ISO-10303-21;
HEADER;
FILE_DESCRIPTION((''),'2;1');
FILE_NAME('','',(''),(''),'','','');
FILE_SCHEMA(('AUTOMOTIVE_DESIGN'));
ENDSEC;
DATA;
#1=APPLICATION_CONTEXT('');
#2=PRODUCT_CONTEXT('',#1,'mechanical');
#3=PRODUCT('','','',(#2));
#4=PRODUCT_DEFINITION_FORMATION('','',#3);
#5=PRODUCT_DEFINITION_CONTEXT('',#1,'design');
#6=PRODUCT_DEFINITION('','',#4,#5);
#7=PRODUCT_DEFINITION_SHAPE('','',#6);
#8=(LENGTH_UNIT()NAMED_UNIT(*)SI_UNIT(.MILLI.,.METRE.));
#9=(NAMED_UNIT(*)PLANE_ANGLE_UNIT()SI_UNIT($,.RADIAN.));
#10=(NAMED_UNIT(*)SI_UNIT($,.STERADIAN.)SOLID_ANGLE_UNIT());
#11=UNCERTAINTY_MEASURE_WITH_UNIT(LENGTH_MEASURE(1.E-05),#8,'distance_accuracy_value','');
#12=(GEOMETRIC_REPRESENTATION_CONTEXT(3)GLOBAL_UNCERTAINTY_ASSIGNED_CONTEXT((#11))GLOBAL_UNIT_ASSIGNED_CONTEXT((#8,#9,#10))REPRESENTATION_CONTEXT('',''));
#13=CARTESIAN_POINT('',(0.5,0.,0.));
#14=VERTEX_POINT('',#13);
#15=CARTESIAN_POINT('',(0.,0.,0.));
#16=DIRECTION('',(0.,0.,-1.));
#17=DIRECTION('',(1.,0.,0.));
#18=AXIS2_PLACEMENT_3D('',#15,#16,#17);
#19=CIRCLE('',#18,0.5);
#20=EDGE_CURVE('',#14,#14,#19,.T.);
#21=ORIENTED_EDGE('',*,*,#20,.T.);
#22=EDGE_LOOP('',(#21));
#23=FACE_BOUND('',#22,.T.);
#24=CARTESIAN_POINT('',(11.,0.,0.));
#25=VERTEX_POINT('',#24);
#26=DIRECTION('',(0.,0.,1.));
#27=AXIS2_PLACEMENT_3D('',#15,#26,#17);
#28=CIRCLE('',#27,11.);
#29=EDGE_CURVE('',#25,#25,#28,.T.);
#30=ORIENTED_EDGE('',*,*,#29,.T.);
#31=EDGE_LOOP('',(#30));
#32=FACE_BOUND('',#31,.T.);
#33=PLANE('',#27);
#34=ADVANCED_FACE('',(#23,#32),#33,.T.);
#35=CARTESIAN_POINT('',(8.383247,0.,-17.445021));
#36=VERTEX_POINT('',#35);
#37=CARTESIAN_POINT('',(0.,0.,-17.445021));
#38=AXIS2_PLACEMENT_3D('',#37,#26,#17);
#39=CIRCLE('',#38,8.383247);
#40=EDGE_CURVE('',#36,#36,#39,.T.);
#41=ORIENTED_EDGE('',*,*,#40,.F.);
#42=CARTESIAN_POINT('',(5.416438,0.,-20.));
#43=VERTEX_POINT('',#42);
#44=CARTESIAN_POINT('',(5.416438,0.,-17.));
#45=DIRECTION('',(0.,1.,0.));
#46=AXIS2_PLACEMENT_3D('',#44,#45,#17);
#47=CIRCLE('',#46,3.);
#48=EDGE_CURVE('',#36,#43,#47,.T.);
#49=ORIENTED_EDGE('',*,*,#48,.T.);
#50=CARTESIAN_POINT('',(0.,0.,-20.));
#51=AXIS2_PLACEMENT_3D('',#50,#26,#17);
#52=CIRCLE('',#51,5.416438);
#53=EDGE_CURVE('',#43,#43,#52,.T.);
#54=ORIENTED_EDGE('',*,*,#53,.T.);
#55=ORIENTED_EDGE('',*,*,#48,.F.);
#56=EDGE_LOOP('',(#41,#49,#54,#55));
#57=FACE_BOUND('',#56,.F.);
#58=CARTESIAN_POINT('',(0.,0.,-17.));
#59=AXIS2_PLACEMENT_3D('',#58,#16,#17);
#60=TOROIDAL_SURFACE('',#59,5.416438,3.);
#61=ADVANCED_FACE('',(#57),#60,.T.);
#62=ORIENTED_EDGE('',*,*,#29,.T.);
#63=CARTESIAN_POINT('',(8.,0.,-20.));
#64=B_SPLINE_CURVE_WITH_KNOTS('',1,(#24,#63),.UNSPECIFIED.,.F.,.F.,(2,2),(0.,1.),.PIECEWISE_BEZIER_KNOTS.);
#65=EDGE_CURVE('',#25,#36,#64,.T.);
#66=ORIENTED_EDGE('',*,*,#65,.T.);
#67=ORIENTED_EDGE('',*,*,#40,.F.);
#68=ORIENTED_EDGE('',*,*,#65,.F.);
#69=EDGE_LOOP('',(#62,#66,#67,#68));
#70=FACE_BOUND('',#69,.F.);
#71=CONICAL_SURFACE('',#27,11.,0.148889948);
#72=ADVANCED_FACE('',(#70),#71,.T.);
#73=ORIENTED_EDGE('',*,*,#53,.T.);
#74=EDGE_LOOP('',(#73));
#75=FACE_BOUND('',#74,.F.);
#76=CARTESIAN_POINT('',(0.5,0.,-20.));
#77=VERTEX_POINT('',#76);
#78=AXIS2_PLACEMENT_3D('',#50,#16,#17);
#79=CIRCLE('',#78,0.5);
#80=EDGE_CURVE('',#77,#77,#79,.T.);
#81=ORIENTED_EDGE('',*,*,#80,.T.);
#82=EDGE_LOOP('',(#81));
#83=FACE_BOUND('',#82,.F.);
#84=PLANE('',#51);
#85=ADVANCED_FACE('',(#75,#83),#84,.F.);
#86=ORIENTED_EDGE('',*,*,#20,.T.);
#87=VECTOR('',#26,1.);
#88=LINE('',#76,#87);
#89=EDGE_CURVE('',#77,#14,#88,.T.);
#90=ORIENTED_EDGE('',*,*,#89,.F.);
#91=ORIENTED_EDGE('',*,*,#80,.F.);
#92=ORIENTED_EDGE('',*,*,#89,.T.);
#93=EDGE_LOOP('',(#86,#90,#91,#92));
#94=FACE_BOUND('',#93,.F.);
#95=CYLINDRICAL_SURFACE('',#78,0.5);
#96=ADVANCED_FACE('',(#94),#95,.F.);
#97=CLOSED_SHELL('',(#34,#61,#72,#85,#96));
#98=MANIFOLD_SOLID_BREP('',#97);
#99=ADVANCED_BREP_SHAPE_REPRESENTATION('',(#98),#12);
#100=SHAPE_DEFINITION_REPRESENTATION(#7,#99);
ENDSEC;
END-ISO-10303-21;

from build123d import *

# Parameters (mm, degrees)
F0_R     = 11
F2_R     = 8
F4_R     = 3
F5_R     = 0.5
F6_DEPTH = 20


with BuildPart() as f3:
    # F0 (on Top) → F3 section 0
    with BuildSketch(Plane.XY):
        Circle(F0_R)
    # F2 (on offset) → F3 section 1
    with BuildSketch(Plane.XY.offset(-20)):
        Circle(F2_R)
    loft()

    # F4
    f4_edges = [f3.edges().sort_by_distance(p)[0] for p in [
        (-8, 0, -20),
    ]]
    fillet(f4_edges, radius=F4_R)

    # F5 (on face) → F6 (cut)
    with BuildSketch(Plane(origin=(0, 0, -20), x_dir=(1, 0, 0), z_dir=(0, 0, -1))):
        Circle(F5_R)
    extrude(amount=-F6_DEPTH, mode=Mode.SUBTRACT)


solid = f3.part
